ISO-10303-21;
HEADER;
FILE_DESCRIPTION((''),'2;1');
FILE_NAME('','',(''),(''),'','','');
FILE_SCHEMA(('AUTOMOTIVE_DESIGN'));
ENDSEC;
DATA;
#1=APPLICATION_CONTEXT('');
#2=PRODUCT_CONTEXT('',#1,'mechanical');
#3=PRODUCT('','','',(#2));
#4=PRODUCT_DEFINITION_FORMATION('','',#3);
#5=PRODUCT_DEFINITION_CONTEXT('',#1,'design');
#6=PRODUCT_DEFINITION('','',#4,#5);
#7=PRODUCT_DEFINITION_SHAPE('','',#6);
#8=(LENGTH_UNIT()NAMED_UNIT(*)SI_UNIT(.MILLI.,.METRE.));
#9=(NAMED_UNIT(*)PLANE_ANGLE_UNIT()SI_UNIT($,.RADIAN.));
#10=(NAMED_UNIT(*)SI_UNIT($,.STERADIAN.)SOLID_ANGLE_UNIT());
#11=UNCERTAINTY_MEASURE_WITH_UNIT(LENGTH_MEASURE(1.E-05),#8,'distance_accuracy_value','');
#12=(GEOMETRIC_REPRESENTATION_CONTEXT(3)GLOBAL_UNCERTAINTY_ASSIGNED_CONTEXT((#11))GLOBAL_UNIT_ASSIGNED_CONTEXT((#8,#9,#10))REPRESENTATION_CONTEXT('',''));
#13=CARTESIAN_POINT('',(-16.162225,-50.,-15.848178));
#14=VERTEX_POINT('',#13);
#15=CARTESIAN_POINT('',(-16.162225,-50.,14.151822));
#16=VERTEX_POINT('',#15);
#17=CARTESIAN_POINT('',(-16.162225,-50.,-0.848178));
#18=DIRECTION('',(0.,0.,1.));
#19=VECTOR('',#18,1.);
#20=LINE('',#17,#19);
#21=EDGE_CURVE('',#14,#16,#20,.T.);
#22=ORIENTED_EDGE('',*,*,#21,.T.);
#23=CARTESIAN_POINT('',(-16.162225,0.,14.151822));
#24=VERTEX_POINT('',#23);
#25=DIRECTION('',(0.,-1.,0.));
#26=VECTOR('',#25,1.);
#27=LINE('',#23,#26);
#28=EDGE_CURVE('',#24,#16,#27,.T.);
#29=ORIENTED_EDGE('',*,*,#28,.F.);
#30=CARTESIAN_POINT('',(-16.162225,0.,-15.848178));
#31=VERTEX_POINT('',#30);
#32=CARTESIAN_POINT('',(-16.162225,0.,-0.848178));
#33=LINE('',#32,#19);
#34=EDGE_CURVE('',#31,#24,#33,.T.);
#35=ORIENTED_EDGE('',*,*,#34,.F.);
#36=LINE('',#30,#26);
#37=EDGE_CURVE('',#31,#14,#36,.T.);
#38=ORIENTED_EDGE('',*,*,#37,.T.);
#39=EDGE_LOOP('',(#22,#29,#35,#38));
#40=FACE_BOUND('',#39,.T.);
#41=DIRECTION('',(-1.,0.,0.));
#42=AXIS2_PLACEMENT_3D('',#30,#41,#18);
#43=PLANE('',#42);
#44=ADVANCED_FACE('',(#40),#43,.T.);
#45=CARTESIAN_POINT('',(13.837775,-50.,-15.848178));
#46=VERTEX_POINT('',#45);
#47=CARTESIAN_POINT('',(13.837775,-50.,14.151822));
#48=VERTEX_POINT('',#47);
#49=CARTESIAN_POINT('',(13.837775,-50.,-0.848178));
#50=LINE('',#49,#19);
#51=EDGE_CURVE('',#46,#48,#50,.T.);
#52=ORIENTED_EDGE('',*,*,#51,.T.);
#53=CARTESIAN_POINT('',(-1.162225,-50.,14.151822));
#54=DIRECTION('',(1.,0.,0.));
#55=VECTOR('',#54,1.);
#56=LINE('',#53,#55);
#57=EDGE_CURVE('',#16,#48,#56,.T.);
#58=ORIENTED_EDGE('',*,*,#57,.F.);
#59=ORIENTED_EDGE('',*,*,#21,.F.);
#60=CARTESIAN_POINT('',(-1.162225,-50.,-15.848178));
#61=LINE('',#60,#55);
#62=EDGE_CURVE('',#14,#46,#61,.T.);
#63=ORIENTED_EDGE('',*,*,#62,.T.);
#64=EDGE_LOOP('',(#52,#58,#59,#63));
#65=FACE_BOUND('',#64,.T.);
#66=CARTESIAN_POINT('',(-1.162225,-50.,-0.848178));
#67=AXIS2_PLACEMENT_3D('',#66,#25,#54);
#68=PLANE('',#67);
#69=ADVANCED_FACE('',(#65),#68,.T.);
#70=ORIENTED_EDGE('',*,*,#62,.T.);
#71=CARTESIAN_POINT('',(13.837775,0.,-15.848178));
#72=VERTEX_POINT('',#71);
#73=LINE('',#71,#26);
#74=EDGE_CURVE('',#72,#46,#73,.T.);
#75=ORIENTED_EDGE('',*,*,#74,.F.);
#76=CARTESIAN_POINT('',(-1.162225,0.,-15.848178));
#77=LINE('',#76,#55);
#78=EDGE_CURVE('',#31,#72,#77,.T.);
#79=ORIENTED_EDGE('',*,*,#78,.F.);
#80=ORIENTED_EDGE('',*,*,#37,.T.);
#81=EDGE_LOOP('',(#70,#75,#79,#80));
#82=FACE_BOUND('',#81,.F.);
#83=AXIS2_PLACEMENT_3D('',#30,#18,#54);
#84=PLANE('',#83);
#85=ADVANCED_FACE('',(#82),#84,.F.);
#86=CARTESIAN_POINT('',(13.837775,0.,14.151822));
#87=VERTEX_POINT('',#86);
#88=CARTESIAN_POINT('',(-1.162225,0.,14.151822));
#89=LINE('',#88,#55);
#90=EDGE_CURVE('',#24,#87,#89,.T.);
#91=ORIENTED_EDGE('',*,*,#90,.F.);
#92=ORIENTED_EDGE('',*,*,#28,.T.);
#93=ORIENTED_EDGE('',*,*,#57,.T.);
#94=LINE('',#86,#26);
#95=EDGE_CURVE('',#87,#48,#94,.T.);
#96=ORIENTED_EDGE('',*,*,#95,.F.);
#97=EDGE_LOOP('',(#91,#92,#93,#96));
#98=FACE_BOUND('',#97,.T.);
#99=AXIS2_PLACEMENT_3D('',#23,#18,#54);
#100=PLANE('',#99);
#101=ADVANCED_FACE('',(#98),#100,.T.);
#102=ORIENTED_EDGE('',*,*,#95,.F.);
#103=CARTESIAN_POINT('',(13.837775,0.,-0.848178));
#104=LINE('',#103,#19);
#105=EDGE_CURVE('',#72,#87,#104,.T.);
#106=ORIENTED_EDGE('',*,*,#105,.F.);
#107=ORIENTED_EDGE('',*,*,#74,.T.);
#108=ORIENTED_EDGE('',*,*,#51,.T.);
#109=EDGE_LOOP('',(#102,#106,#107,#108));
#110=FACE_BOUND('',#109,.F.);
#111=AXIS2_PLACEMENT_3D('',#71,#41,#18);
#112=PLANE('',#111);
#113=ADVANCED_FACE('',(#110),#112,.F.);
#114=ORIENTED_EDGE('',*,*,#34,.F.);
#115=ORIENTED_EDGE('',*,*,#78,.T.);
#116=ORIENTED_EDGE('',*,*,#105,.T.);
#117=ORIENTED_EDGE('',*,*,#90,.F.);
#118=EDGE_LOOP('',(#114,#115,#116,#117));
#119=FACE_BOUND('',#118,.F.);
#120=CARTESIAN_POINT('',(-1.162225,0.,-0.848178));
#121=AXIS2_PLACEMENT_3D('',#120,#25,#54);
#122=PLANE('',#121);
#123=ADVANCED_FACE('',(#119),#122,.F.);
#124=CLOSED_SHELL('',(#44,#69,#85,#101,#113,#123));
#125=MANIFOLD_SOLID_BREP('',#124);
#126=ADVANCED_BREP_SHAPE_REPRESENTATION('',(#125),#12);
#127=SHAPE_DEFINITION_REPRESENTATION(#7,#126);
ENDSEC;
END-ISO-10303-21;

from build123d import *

# Parameters (mm, degrees)
F0_W     = 30
F0_H     = 30
F0_R     = 3.5
F0_R_2   = 3
F1_DEPTH = 50


with BuildPart() as f1:
    # F0 (on Front) → F1 (new body)
    with BuildSketch(Plane.XZ):
        with Locations((-1.1622245609, -0.8481781135)):
            Rectangle(F0_W, F0_H)
        with BuildLine():
            Line((-13.8210662203, -10.8358568401), (-8.2036473316, -5.1398402471))
            ThreePointArc((-8.2036473316, -5.1398402471), (-5.3752884611, -5.120190821), (-5.355639035, -7.9485496914))
            Line((-5.355639035, -7.9485496914), (-10.9730579238, -13.6445662845))
            ThreePointArc((-10.9730579238, -13.6445662845), (-13.8014167942, -13.6642157105), (-13.8210662203, -10.8358568401))
        make_face(mode=Mode.SUBTRACT)
        with BuildLine():
            ThreePointArc((3.0311899132, -7.9485496914), (3.0508393392, -5.120190821), (5.8791982097, -5.1398402471))
            Line((5.8791982097, -5.1398402471), (11.4966170985, -10.8358568401))
            ThreePointArc((11.4966170985, -10.8358568401), (11.4769676724, -13.6642157105), (8.6486088019, -13.6445662845))
            Line((8.6486088019, -13.6445662845), (3.0311899132, -7.9485496914))
        make_face(mode=Mode.SUBTRACT)
        with Locations((-1.1622245609, -0.8481781135)):
            Circle(F0_R, mode=Mode.SUBTRACT)
        with BuildLine():
            ThreePointArc((-5.355639035, 6.2521934645), (-5.3752884611, 3.423834594), (-8.2036473316, 3.4434840201))
            Line((-8.2036473316, 3.4434840201), (-13.8210662203, 9.1395006131))
            ThreePointArc((-13.8210662203, 9.1395006131), (-13.8014167942, 11.9678594836), (-10.9730579238, 11.9482100575))
            Line((-10.9730579238, 11.9482100575), (-5.355639035, 6.2521934645))
        make_face(mode=Mode.SUBTRACT)
        with BuildLine():
            Line((3.0311899132, 6.2521934645), (8.6486088019, 11.9482100575))
            ThreePointArc((8.6486088019, 11.9482100575), (11.4769676724, 11.9678594836), (11.4966170985, 9.1395006131))
            Line((11.4966170985, 9.1395006131), (5.8791982097, 3.4434840201))
            ThreePointArc((5.8791982097, 3.4434840201), (3.0508393392, 3.423834594), (3.0311899132, 6.2521934645))
        make_face(mode=Mode.SUBTRACT)
        with BuildLine():
            Line((11.4966170985, -10.8358568401), (5.8791982097, -5.1398402471))
            ThreePointArc((5.8791982097, -5.1398402471), (3.0508393392, -5.120190821), (3.0311899132, -7.9485496914))
            Line((3.0311899132, -7.9485496914), (8.6486088019, -13.6445662845))
            ThreePointArc((8.6486088019, -13.6445662845), (11.4769676724, -13.6642157105), (11.4966170985, -10.8358568401))
        make_face()
        with BuildLine():
            ThreePointArc((11.4966170985, 9.1395006131), (11.4769676724, 11.9678594836), (8.6486088019, 11.9482100575))
            Line((8.6486088019, 11.9482100575), (3.0311899132, 6.2521934645))
            ThreePointArc((3.0311899132, 6.2521934645), (3.0508393392, 3.423834594), (5.8791982097, 3.4434840201))
            Line((5.8791982097, 3.4434840201), (11.4966170985, 9.1395006131))
        make_face()
        with BuildLine():
            Line((-13.8210662203, 9.1395006131), (-8.2036473316, 3.4434840201))
            ThreePointArc((-8.2036473316, 3.4434840201), (-5.3752884611, 3.423834594), (-5.355639035, 6.2521934645))
            Line((-5.355639035, 6.2521934645), (-10.9730579238, 11.9482100575))
            ThreePointArc((-10.9730579238, 11.9482100575), (-13.8014167942, 11.9678594836), (-13.8210662203, 9.1395006131))
        make_face()
        with BuildLine():
            ThreePointArc((-5.355639035, -7.9485496914), (-5.3752884611, -5.120190821), (-8.2036473316, -5.1398402471))
            Line((-8.2036473316, -5.1398402471), (-13.8210662203, -10.8358568401))
            ThreePointArc((-13.8210662203, -10.8358568401), (-13.8014167942, -13.6642157105), (-10.9730579238, -13.6445662845))
            Line((-10.9730579238, -13.6445662845), (-5.355639035, -7.9485496914))
        make_face()
        with Locations((-1.1622245609, -0.8481781135)):
            Circle(F0_R)
        with Locations((-1.1622245609, -0.8481781135)):
            Circle(F0_R_2, mode=Mode.SUBTRACT)
        with Locations((-1.1622245609, -0.8481781135)):
            Circle(F0_R_2)
    extrude(amount=F1_DEPTH)


solid = f1.part
